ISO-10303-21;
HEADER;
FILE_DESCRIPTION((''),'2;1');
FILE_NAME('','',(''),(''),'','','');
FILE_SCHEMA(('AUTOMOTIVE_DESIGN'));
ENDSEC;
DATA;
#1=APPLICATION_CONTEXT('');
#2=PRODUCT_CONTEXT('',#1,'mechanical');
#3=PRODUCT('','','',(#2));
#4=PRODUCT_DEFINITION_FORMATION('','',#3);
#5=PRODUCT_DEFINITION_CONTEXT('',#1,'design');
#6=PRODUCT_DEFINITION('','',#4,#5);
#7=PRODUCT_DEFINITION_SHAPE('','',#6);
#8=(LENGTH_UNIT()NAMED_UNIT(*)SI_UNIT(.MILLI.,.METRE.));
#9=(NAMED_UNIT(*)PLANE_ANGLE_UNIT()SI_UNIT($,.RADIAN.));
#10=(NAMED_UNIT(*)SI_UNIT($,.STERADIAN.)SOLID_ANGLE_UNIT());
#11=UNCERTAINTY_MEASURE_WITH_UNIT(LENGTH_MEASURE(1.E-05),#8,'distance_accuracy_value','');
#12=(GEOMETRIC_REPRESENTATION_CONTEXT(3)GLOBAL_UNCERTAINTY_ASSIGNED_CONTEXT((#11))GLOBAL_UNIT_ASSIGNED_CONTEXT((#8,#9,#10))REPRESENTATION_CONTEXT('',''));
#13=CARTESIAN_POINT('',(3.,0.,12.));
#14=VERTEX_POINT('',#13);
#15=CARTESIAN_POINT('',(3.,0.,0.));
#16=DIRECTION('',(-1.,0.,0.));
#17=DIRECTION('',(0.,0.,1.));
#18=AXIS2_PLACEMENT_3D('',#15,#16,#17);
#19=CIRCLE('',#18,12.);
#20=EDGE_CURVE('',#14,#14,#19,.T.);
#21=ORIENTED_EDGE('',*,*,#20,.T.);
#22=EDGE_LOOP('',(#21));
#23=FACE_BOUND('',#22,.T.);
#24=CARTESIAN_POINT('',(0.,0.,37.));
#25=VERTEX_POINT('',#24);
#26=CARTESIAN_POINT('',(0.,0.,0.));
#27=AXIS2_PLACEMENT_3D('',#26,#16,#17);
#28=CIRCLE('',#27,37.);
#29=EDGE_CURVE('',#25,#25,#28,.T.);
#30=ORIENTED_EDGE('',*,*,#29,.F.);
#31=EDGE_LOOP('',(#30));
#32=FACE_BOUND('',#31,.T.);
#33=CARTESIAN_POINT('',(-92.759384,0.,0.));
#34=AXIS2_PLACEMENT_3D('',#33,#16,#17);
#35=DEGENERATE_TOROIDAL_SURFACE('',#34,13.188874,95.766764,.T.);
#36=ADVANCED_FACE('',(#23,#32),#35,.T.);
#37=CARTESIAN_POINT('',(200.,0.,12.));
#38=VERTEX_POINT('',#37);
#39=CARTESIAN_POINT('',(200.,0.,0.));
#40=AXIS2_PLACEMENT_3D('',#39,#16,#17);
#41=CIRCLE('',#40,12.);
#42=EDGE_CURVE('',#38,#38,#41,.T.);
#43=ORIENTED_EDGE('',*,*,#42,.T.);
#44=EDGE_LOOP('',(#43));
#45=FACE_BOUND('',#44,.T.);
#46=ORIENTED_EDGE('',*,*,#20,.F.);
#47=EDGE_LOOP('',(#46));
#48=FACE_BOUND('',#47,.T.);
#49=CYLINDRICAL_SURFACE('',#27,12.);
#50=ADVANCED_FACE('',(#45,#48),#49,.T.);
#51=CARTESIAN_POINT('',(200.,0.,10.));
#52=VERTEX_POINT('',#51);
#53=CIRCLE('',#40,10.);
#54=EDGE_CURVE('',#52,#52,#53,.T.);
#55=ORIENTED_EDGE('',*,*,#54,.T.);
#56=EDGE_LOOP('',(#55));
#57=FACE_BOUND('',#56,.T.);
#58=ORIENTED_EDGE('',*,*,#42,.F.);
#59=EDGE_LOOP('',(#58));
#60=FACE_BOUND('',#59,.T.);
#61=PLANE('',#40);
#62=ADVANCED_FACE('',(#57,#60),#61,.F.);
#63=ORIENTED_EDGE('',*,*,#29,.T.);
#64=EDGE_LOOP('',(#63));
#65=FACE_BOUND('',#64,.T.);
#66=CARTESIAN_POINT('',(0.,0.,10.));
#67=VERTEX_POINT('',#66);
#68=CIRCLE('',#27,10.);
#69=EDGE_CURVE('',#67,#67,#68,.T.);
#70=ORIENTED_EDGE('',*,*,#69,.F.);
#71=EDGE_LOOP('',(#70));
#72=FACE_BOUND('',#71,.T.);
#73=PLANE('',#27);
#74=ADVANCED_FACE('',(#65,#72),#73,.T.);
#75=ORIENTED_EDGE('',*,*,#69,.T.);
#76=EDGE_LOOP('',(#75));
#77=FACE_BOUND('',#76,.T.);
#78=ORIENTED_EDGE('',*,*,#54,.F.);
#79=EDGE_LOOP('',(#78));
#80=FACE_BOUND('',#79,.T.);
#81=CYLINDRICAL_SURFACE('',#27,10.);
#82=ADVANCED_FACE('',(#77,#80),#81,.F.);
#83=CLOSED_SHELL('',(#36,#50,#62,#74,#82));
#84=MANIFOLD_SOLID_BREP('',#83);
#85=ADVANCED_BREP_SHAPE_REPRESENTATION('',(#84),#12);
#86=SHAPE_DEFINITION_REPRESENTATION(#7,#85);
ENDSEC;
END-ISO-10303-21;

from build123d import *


with BuildPart() as part:
    # Sketch1 → Revolve1 (revolve)
    with BuildSketch(Plane.XY, mode=Mode.PRIVATE) as revolve1_sk:
        with BuildLine():
            Line((3, -12), (0, -12))
            Line((0, -12), (0, -37))
            ThreePointArc((0, -37), (2.325217654, -24.599026118), (3, -12))
        make_face()
        Polygon((200, -10), (0, -10), (0, -12), (3, -12), (200, -12), align=None)
    revolve(revolve1_sk.sketch.rotate(Axis((0, 0, 0), (1, 0, 0)), 270), axis=Axis((0, 0, 0), (1, 0, 0)))


solid = part.part
